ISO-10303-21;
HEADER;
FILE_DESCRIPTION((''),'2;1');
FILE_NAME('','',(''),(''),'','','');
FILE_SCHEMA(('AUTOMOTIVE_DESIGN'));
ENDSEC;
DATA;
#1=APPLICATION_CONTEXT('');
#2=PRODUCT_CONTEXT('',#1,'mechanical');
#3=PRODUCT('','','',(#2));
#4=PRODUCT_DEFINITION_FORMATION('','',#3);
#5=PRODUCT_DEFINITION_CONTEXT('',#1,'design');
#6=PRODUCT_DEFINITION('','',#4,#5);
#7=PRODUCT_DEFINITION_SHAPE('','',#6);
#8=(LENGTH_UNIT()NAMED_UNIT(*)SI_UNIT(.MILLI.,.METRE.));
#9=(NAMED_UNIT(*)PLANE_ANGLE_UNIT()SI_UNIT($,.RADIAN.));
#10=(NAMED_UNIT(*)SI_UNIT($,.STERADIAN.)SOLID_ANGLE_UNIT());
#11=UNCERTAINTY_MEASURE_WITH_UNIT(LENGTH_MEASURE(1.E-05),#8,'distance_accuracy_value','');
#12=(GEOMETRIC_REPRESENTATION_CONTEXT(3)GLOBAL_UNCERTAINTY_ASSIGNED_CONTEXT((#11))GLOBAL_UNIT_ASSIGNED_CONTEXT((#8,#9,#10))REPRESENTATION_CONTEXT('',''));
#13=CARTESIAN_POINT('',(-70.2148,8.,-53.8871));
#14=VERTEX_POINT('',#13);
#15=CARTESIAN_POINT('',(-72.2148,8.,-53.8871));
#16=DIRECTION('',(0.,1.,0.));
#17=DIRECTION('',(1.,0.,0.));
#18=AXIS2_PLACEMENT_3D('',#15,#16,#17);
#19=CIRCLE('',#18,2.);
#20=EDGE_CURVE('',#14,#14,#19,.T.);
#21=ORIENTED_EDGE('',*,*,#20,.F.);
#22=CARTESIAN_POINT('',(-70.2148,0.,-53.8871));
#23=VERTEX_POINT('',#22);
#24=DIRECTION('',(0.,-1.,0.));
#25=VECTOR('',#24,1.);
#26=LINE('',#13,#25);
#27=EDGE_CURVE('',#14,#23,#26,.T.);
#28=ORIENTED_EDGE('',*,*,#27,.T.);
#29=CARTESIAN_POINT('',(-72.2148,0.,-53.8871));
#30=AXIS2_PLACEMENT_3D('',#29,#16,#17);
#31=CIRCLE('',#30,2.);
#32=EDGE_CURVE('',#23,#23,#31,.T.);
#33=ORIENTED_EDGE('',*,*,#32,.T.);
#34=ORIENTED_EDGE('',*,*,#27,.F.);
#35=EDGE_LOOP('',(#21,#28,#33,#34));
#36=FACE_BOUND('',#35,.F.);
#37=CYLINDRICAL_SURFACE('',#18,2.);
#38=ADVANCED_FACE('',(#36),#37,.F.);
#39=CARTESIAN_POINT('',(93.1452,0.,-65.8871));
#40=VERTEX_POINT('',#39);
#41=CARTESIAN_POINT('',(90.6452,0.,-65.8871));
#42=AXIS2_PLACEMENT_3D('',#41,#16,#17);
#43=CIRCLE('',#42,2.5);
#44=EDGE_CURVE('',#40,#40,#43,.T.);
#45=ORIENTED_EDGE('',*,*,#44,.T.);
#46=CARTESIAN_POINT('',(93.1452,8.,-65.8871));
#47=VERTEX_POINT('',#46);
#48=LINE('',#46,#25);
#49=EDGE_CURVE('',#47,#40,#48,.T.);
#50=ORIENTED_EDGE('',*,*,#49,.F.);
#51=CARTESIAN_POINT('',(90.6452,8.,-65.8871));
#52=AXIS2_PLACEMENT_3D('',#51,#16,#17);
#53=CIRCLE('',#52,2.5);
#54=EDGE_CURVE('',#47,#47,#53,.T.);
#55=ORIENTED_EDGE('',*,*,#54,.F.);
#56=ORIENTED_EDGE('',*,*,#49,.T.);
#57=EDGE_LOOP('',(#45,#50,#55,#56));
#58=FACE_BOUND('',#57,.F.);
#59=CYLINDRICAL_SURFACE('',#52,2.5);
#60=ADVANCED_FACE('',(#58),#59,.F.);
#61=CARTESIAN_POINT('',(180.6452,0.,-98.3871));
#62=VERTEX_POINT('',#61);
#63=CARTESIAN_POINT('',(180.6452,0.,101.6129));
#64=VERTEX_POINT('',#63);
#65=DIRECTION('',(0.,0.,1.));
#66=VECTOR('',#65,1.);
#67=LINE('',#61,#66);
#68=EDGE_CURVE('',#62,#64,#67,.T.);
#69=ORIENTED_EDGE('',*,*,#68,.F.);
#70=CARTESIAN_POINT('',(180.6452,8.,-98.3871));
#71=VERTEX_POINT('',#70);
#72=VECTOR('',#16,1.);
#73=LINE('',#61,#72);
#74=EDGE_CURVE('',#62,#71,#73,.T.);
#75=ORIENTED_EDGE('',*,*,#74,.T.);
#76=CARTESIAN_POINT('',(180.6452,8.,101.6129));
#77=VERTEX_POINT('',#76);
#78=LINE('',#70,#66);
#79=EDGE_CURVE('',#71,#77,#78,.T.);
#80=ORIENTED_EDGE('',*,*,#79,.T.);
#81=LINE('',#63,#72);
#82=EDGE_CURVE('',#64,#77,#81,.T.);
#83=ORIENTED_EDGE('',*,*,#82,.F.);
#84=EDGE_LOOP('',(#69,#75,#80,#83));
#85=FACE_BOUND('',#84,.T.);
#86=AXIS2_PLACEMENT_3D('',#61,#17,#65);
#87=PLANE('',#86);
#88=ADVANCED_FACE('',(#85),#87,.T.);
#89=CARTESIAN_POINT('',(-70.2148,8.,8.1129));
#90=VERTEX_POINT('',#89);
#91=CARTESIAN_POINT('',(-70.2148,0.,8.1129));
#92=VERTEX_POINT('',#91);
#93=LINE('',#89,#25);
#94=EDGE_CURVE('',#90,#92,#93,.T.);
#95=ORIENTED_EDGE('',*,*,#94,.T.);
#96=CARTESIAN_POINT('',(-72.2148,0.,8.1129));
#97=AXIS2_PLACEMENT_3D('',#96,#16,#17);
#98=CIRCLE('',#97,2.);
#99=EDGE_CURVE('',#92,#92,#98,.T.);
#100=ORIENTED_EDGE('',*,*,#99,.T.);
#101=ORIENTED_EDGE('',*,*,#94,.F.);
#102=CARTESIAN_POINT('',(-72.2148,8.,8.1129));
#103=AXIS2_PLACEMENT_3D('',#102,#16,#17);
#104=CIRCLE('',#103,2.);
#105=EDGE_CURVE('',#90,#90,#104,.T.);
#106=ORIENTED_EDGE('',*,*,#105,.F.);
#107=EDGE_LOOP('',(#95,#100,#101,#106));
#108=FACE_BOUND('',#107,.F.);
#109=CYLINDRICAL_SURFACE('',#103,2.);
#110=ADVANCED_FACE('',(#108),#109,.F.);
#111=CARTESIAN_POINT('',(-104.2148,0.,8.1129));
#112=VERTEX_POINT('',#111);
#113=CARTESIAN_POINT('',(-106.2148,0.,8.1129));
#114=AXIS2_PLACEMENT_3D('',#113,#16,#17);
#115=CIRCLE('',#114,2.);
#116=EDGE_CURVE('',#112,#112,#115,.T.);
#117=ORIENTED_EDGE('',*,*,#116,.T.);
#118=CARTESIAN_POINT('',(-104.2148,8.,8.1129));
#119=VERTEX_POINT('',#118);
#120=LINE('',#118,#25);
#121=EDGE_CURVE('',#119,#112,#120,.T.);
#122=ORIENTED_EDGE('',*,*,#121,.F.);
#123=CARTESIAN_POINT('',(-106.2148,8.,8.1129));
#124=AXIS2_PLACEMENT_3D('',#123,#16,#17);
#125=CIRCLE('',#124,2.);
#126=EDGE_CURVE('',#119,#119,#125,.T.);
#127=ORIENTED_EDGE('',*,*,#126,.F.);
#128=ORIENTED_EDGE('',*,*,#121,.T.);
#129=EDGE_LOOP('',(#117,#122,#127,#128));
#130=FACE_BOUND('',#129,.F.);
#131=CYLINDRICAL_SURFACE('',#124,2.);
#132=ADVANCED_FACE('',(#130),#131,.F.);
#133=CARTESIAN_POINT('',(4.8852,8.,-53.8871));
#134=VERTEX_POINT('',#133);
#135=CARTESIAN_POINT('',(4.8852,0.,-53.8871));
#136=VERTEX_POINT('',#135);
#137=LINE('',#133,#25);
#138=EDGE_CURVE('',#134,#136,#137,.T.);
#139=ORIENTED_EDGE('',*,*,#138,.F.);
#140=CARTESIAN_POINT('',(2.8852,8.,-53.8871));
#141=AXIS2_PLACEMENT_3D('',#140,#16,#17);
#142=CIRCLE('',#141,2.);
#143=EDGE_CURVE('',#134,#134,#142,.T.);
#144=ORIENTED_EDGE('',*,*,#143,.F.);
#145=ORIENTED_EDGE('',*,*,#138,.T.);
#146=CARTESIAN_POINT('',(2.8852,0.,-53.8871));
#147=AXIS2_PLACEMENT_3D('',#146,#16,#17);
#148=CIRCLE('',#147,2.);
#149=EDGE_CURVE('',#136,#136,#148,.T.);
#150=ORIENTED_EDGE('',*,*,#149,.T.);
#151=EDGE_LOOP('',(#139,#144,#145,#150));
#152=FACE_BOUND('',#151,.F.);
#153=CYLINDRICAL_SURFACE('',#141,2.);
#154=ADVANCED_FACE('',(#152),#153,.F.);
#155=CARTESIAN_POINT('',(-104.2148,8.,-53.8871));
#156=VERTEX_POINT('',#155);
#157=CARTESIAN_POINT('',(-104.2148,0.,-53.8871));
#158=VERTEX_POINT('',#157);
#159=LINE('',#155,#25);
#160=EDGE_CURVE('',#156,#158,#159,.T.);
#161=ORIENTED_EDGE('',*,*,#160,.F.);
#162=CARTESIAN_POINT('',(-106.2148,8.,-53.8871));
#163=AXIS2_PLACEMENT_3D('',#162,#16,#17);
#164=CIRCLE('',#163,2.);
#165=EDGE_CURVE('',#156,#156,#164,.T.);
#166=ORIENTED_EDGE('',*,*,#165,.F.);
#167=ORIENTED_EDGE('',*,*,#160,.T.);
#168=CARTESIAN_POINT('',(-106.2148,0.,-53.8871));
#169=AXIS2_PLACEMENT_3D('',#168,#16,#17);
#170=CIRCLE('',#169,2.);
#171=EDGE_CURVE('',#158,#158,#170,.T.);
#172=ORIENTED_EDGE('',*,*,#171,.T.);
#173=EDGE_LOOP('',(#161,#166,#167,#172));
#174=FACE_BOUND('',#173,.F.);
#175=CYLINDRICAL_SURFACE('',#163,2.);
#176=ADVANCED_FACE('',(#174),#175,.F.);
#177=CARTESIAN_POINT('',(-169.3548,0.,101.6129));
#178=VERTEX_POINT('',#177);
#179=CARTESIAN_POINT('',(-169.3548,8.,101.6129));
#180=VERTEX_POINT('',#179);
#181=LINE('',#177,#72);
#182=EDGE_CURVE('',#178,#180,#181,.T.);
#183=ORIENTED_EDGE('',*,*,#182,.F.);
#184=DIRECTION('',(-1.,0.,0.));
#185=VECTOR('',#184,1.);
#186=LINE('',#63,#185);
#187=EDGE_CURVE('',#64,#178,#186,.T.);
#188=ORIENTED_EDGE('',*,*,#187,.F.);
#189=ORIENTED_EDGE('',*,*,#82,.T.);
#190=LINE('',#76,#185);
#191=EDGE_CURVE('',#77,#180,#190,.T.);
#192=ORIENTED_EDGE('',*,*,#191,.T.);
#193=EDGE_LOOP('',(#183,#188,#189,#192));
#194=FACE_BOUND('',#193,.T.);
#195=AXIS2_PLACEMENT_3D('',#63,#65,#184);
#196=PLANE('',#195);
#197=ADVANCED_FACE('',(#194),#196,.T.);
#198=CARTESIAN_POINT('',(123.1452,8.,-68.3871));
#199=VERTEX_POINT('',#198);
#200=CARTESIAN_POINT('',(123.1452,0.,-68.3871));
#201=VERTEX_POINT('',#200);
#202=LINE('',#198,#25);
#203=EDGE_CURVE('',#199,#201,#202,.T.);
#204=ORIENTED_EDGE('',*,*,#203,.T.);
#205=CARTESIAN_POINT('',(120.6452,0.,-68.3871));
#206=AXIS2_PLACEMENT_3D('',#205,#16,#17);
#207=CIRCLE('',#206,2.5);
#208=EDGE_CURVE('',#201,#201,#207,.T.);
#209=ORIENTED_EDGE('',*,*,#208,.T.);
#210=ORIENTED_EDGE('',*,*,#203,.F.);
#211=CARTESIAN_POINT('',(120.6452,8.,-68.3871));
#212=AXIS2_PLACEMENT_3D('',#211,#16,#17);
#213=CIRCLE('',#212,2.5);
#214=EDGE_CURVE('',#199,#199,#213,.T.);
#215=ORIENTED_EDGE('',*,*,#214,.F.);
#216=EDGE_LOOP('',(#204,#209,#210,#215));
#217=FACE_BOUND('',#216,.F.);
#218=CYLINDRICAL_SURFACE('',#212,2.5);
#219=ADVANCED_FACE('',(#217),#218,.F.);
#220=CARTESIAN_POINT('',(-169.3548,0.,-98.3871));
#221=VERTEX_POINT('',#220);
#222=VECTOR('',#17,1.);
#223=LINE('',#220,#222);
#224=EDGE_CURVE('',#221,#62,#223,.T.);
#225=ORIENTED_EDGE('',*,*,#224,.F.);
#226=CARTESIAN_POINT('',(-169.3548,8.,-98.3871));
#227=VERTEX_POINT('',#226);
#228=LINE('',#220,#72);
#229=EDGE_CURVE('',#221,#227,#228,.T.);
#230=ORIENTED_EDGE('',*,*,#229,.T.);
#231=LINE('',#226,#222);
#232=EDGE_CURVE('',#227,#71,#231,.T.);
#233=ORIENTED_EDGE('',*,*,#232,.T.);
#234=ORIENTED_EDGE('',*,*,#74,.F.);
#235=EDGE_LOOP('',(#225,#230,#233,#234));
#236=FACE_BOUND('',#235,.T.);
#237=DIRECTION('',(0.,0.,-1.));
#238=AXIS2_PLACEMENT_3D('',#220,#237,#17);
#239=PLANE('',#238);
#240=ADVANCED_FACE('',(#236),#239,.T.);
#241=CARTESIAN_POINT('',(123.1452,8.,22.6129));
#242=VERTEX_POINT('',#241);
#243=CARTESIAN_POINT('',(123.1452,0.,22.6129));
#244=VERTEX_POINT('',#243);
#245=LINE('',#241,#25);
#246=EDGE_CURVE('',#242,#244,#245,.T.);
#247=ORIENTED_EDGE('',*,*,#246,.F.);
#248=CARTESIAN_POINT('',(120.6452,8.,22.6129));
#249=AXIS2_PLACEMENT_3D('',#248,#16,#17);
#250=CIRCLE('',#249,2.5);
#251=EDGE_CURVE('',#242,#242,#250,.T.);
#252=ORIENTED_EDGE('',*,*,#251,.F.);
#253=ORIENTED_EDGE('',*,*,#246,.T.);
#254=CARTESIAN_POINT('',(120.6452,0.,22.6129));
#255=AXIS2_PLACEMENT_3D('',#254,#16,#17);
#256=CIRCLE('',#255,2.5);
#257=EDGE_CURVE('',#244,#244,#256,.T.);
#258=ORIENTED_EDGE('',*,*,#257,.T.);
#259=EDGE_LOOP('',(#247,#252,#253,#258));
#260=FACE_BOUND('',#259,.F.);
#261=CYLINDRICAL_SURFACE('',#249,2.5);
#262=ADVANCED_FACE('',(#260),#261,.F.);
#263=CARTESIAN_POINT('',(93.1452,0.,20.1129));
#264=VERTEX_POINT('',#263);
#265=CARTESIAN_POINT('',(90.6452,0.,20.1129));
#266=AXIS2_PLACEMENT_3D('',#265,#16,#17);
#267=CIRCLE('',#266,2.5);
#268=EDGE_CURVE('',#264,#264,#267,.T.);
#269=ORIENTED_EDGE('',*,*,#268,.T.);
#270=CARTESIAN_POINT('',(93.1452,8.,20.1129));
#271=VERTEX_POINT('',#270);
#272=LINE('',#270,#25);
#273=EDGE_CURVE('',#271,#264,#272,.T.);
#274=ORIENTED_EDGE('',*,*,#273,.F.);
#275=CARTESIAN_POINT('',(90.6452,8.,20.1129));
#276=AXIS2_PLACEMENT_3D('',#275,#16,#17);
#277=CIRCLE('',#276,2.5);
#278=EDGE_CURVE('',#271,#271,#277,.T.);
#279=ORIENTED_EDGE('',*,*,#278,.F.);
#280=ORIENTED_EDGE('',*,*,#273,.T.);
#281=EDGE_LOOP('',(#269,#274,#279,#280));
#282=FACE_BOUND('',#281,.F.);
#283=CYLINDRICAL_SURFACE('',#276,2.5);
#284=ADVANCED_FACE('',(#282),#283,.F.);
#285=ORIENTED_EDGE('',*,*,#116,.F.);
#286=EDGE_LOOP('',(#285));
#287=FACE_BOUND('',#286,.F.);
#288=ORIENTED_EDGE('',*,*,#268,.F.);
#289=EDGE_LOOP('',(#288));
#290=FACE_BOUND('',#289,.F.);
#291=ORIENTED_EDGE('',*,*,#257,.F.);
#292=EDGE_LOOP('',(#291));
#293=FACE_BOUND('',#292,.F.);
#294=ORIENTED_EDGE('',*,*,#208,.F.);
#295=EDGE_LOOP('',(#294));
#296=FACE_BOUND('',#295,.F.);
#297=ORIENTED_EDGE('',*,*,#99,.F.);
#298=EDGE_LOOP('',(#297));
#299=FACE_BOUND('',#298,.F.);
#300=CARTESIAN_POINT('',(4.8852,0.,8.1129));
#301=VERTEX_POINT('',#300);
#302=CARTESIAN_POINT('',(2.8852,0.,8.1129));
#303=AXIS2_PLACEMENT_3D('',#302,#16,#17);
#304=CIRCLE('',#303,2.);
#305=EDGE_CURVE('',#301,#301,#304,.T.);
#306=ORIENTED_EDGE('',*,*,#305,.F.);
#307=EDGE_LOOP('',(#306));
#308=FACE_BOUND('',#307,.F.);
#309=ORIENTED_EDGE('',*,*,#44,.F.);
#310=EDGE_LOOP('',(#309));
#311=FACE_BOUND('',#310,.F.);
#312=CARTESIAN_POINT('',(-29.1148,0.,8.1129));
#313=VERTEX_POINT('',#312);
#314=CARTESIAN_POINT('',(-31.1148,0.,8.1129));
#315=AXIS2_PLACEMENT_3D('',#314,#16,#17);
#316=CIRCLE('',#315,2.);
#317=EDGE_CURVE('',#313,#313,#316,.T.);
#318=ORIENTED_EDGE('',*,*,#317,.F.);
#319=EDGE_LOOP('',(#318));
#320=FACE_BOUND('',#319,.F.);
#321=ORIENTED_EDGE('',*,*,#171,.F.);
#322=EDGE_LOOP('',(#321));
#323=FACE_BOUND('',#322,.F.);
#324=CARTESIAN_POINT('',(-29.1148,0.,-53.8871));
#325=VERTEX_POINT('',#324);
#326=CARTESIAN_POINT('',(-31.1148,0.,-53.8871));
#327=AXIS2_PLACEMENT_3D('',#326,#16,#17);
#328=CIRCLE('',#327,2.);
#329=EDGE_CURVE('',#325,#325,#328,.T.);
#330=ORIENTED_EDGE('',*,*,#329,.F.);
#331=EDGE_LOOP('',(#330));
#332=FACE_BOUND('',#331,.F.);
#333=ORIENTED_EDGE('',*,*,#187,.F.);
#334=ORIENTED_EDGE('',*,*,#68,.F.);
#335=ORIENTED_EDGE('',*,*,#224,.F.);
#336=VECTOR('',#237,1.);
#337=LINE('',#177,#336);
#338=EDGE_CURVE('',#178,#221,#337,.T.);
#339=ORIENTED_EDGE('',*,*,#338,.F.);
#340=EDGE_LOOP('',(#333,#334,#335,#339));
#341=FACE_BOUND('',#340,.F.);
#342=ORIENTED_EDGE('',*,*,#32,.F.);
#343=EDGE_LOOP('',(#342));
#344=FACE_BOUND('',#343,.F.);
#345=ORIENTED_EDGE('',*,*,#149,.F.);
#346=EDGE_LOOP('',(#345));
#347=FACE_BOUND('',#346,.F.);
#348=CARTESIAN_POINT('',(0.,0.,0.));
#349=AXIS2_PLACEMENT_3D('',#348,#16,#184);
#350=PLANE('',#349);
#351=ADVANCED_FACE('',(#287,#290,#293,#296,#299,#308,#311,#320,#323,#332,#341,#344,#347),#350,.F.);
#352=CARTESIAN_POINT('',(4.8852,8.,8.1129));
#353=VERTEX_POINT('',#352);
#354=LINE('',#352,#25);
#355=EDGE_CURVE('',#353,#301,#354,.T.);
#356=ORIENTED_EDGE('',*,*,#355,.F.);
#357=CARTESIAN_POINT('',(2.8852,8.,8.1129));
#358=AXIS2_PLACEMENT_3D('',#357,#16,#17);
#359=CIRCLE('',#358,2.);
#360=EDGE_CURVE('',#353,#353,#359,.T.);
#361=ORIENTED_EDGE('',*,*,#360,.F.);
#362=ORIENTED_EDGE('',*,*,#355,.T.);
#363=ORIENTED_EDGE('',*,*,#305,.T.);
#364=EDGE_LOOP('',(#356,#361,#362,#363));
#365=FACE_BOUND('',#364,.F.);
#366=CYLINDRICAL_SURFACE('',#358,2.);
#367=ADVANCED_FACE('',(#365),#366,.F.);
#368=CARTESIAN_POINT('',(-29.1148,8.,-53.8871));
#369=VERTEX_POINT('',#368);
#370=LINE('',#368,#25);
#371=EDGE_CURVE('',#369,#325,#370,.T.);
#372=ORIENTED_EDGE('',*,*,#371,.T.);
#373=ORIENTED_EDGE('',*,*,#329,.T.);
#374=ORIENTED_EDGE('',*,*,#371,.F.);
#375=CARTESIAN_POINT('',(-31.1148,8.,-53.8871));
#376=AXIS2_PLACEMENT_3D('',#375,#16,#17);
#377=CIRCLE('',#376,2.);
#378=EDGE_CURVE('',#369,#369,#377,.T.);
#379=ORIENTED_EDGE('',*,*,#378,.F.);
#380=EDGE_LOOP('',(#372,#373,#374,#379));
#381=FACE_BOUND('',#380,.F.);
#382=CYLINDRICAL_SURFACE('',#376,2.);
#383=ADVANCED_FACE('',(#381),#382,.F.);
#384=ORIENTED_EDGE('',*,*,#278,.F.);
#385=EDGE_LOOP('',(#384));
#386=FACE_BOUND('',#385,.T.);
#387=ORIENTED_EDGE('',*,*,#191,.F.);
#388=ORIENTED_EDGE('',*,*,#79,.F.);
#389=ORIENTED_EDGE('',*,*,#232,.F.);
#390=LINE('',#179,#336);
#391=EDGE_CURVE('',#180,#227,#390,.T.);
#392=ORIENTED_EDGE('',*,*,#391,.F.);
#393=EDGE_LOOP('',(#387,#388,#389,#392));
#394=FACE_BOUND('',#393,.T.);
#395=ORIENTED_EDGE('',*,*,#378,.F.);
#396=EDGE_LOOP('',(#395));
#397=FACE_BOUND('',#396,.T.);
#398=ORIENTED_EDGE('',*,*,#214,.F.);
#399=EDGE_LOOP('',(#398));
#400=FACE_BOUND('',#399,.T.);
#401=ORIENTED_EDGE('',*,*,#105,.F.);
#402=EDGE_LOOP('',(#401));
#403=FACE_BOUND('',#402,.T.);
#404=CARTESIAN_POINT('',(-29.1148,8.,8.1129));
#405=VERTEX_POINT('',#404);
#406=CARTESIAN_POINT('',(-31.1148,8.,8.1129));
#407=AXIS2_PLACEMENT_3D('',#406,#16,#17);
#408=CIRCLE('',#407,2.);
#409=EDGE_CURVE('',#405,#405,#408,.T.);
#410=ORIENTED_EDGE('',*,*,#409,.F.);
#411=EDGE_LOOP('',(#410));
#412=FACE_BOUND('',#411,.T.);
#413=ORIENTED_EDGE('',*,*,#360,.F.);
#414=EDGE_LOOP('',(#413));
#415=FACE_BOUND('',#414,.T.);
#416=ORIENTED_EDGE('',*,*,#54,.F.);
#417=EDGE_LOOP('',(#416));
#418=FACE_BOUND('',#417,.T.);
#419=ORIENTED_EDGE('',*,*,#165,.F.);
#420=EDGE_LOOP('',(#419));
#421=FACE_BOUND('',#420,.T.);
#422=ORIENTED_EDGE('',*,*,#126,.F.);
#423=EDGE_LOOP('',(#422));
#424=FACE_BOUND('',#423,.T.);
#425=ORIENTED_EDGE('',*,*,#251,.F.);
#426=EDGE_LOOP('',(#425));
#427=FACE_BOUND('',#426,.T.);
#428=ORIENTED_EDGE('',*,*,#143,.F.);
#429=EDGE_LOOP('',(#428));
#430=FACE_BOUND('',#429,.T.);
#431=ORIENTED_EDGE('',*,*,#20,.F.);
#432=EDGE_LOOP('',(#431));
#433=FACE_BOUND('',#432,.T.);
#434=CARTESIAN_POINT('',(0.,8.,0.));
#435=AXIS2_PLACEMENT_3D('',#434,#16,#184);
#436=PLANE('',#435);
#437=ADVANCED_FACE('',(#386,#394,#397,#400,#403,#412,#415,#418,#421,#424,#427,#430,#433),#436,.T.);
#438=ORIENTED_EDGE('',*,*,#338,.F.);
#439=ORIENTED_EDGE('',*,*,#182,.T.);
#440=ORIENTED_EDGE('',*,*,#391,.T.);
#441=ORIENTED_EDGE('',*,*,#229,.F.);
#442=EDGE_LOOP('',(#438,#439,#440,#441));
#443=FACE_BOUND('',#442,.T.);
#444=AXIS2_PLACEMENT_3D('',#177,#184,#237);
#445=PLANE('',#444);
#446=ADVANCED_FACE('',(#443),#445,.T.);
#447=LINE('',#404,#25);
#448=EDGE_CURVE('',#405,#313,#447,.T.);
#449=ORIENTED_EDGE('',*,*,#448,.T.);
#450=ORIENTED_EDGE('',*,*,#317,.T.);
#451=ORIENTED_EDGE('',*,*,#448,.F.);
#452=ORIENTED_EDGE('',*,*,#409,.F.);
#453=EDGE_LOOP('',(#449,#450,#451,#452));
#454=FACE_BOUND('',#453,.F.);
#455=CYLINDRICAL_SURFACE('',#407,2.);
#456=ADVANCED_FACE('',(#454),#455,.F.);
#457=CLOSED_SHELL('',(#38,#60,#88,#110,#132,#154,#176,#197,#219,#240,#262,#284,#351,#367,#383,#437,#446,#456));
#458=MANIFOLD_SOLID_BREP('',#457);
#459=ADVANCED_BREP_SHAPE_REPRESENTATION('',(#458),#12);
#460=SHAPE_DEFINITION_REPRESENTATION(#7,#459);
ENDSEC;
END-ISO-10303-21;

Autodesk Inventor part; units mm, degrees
ref_plane "YZ Plane" through (0, 0, 0) normal (1, 0, 0) x (0, 1, 0)
ref_plane "XZ Plane" through (0, 0, 0) normal (0, 1, 0) x (-1, 0, 0)
ref_plane "XY Plane" through (0, 0, 0) normal (0, 0, 1) x (1, 0, 0)
sketch "Esquisse1" plane through (0, 0, 0) normal (0, 1, 0) x (-1, 0, 0)
  line L0 (-180.6452, 101.6129) -> (169.3548, 101.6129)
  line L1 (169.3548, 101.6129) -> (169.3548, -98.3871)
  line L2 (169.3548, -98.3871) -> (-180.6452, -98.3871)
  line L3 (-180.6452, -98.3871) -> (-180.6452, 101.6129)
  point P0 (0, 0)
  dimension "d0" = 350
  dimension "d1" = 200
extrude "Extrusion1" add sketch "Esquisse1" along normal blind 8
sketch "Esquisse2" plane through (0, 8, 0) normal (0, 1, 0) x (1, 0, 0)
  line L0 (180.6452, -101.6129) -> (180.6452, 98.3871) projected
  line L1 (180.6452, 98.3871) -> (-169.3548, 98.3871) projected
  circle A0 centre (120.6452, 68.3871) radius 2.5
  circle A1 centre (90.6452, 65.8871) radius 2.5
  circle A2 centre (120.6452, -22.6129) radius 2.5
  circle A3 centre (90.6452, -20.1129) radius 2.5
  point P0 (0, 0)
  dimension "d4" = 5
  dimension "d5" = 5
  dimension "d6" = 5
  dimension "d7" = 5
  dimension "d8" = 86
  dimension "d9" = 91
  dimension "d10" = 30
  dimension "d11" = 2.5
  dimension "d12" = 30
  dimension "d13" = 30
  dimension "d14" = 60
  dimension "d15" = 60
extrude "Extrusion2" cut sketch "Esquisse2" against normal through all
sketch "Esquisse3" plane through (0, 8, 0) normal (0, 1, 0) x (1, 0, 0)
  circle A0 centre (90.6452, 65.8871) radius 2.5 projected
  circle A1 centre (90.6452, -20.1129) radius 2.5 projected
  line L0 (180.6452, 98.3871) -> (-169.3548, 98.3871) projected
  circle A2 centre (2.8852, 53.8871) radius 2
  circle A3 centre (-31.1148, 53.8871) radius 2
  circle A4 centre (-72.2148, 53.8871) radius 2
  circle A5 centre (-106.2148, 53.8871) radius 2
  circle A6 centre (-106.2148, -8.1129) radius 2
  circle A7 centre (-72.2148, -8.1129) radius 2
  circle A8 centre (-31.1148, -8.1129) radius 2
  circle A9 centre (2.8852, -8.1129) radius 2
  point P0 (0, 0)
  dimension "d18" = 4
  dimension "d19" = 4
  dimension "d20" = 4
  dimension "d21" = 4
  dimension "d22" = 4
  dimension "d23" = 4
  dimension "d24" = 4
  dimension "d25" = 4
  dimension "d26" = 62
  dimension "d27" = 62
  dimension "d28" = 62
  dimension "d29" = 62
  dimension "d30" = 34
  dimension "d31" = 34
  dimension "d32" = 34
  dimension "d33" = 34
  dimension "d34" = 41.1
  dimension "d35" = 41.1
  dimension "d36" = 87.76
  dimension "d37" = 87.76
  dimension "d38" = 32.5
  dimension "d39" = 86
  dimension "d40" = 44.5
  dimension "d41" = 44.5
  dimension "d42" = 44.5
  dimension "d43" = 44.5
extrude "Extrusion3" cut sketch "Esquisse3" against normal through all contours A2 | A3 | A4 | A5 | A6 | A7 | A8 | A9
equation "\"d5\" = d4"
equation "\"d6\" = d4"
equation "\"d7\" = d4"
equation "\"d12\" = d10"
equation "\"d15\" = d14"
equation "\"d19\" = d18"
equation "\"d20\" = d18"
equation "\"d21\" = d18"
equation "\"d22\" = d18"
equation "\"d23\" = d18"
equation "\"d24\" = d18"
equation "\"d25\" = d18"
equation "\"d27\" = d26"
equation "\"d28\" = d26"
equation "\"d29\" = d26"
equation "\"d31\" = d30"
equation "\"d33\" = d32"
equation "\"d35\" = d34"
equation "\"d37\" = d36"
equation "\"d40\" = d38 + 0.5 * d39 - 0.5 * d26"
equation "\"d41\" = d40"
equation "\"d42\" = d40"
equation "\"d43\" = d40"
properties part number "Base" material "PVC, non plastifié"
